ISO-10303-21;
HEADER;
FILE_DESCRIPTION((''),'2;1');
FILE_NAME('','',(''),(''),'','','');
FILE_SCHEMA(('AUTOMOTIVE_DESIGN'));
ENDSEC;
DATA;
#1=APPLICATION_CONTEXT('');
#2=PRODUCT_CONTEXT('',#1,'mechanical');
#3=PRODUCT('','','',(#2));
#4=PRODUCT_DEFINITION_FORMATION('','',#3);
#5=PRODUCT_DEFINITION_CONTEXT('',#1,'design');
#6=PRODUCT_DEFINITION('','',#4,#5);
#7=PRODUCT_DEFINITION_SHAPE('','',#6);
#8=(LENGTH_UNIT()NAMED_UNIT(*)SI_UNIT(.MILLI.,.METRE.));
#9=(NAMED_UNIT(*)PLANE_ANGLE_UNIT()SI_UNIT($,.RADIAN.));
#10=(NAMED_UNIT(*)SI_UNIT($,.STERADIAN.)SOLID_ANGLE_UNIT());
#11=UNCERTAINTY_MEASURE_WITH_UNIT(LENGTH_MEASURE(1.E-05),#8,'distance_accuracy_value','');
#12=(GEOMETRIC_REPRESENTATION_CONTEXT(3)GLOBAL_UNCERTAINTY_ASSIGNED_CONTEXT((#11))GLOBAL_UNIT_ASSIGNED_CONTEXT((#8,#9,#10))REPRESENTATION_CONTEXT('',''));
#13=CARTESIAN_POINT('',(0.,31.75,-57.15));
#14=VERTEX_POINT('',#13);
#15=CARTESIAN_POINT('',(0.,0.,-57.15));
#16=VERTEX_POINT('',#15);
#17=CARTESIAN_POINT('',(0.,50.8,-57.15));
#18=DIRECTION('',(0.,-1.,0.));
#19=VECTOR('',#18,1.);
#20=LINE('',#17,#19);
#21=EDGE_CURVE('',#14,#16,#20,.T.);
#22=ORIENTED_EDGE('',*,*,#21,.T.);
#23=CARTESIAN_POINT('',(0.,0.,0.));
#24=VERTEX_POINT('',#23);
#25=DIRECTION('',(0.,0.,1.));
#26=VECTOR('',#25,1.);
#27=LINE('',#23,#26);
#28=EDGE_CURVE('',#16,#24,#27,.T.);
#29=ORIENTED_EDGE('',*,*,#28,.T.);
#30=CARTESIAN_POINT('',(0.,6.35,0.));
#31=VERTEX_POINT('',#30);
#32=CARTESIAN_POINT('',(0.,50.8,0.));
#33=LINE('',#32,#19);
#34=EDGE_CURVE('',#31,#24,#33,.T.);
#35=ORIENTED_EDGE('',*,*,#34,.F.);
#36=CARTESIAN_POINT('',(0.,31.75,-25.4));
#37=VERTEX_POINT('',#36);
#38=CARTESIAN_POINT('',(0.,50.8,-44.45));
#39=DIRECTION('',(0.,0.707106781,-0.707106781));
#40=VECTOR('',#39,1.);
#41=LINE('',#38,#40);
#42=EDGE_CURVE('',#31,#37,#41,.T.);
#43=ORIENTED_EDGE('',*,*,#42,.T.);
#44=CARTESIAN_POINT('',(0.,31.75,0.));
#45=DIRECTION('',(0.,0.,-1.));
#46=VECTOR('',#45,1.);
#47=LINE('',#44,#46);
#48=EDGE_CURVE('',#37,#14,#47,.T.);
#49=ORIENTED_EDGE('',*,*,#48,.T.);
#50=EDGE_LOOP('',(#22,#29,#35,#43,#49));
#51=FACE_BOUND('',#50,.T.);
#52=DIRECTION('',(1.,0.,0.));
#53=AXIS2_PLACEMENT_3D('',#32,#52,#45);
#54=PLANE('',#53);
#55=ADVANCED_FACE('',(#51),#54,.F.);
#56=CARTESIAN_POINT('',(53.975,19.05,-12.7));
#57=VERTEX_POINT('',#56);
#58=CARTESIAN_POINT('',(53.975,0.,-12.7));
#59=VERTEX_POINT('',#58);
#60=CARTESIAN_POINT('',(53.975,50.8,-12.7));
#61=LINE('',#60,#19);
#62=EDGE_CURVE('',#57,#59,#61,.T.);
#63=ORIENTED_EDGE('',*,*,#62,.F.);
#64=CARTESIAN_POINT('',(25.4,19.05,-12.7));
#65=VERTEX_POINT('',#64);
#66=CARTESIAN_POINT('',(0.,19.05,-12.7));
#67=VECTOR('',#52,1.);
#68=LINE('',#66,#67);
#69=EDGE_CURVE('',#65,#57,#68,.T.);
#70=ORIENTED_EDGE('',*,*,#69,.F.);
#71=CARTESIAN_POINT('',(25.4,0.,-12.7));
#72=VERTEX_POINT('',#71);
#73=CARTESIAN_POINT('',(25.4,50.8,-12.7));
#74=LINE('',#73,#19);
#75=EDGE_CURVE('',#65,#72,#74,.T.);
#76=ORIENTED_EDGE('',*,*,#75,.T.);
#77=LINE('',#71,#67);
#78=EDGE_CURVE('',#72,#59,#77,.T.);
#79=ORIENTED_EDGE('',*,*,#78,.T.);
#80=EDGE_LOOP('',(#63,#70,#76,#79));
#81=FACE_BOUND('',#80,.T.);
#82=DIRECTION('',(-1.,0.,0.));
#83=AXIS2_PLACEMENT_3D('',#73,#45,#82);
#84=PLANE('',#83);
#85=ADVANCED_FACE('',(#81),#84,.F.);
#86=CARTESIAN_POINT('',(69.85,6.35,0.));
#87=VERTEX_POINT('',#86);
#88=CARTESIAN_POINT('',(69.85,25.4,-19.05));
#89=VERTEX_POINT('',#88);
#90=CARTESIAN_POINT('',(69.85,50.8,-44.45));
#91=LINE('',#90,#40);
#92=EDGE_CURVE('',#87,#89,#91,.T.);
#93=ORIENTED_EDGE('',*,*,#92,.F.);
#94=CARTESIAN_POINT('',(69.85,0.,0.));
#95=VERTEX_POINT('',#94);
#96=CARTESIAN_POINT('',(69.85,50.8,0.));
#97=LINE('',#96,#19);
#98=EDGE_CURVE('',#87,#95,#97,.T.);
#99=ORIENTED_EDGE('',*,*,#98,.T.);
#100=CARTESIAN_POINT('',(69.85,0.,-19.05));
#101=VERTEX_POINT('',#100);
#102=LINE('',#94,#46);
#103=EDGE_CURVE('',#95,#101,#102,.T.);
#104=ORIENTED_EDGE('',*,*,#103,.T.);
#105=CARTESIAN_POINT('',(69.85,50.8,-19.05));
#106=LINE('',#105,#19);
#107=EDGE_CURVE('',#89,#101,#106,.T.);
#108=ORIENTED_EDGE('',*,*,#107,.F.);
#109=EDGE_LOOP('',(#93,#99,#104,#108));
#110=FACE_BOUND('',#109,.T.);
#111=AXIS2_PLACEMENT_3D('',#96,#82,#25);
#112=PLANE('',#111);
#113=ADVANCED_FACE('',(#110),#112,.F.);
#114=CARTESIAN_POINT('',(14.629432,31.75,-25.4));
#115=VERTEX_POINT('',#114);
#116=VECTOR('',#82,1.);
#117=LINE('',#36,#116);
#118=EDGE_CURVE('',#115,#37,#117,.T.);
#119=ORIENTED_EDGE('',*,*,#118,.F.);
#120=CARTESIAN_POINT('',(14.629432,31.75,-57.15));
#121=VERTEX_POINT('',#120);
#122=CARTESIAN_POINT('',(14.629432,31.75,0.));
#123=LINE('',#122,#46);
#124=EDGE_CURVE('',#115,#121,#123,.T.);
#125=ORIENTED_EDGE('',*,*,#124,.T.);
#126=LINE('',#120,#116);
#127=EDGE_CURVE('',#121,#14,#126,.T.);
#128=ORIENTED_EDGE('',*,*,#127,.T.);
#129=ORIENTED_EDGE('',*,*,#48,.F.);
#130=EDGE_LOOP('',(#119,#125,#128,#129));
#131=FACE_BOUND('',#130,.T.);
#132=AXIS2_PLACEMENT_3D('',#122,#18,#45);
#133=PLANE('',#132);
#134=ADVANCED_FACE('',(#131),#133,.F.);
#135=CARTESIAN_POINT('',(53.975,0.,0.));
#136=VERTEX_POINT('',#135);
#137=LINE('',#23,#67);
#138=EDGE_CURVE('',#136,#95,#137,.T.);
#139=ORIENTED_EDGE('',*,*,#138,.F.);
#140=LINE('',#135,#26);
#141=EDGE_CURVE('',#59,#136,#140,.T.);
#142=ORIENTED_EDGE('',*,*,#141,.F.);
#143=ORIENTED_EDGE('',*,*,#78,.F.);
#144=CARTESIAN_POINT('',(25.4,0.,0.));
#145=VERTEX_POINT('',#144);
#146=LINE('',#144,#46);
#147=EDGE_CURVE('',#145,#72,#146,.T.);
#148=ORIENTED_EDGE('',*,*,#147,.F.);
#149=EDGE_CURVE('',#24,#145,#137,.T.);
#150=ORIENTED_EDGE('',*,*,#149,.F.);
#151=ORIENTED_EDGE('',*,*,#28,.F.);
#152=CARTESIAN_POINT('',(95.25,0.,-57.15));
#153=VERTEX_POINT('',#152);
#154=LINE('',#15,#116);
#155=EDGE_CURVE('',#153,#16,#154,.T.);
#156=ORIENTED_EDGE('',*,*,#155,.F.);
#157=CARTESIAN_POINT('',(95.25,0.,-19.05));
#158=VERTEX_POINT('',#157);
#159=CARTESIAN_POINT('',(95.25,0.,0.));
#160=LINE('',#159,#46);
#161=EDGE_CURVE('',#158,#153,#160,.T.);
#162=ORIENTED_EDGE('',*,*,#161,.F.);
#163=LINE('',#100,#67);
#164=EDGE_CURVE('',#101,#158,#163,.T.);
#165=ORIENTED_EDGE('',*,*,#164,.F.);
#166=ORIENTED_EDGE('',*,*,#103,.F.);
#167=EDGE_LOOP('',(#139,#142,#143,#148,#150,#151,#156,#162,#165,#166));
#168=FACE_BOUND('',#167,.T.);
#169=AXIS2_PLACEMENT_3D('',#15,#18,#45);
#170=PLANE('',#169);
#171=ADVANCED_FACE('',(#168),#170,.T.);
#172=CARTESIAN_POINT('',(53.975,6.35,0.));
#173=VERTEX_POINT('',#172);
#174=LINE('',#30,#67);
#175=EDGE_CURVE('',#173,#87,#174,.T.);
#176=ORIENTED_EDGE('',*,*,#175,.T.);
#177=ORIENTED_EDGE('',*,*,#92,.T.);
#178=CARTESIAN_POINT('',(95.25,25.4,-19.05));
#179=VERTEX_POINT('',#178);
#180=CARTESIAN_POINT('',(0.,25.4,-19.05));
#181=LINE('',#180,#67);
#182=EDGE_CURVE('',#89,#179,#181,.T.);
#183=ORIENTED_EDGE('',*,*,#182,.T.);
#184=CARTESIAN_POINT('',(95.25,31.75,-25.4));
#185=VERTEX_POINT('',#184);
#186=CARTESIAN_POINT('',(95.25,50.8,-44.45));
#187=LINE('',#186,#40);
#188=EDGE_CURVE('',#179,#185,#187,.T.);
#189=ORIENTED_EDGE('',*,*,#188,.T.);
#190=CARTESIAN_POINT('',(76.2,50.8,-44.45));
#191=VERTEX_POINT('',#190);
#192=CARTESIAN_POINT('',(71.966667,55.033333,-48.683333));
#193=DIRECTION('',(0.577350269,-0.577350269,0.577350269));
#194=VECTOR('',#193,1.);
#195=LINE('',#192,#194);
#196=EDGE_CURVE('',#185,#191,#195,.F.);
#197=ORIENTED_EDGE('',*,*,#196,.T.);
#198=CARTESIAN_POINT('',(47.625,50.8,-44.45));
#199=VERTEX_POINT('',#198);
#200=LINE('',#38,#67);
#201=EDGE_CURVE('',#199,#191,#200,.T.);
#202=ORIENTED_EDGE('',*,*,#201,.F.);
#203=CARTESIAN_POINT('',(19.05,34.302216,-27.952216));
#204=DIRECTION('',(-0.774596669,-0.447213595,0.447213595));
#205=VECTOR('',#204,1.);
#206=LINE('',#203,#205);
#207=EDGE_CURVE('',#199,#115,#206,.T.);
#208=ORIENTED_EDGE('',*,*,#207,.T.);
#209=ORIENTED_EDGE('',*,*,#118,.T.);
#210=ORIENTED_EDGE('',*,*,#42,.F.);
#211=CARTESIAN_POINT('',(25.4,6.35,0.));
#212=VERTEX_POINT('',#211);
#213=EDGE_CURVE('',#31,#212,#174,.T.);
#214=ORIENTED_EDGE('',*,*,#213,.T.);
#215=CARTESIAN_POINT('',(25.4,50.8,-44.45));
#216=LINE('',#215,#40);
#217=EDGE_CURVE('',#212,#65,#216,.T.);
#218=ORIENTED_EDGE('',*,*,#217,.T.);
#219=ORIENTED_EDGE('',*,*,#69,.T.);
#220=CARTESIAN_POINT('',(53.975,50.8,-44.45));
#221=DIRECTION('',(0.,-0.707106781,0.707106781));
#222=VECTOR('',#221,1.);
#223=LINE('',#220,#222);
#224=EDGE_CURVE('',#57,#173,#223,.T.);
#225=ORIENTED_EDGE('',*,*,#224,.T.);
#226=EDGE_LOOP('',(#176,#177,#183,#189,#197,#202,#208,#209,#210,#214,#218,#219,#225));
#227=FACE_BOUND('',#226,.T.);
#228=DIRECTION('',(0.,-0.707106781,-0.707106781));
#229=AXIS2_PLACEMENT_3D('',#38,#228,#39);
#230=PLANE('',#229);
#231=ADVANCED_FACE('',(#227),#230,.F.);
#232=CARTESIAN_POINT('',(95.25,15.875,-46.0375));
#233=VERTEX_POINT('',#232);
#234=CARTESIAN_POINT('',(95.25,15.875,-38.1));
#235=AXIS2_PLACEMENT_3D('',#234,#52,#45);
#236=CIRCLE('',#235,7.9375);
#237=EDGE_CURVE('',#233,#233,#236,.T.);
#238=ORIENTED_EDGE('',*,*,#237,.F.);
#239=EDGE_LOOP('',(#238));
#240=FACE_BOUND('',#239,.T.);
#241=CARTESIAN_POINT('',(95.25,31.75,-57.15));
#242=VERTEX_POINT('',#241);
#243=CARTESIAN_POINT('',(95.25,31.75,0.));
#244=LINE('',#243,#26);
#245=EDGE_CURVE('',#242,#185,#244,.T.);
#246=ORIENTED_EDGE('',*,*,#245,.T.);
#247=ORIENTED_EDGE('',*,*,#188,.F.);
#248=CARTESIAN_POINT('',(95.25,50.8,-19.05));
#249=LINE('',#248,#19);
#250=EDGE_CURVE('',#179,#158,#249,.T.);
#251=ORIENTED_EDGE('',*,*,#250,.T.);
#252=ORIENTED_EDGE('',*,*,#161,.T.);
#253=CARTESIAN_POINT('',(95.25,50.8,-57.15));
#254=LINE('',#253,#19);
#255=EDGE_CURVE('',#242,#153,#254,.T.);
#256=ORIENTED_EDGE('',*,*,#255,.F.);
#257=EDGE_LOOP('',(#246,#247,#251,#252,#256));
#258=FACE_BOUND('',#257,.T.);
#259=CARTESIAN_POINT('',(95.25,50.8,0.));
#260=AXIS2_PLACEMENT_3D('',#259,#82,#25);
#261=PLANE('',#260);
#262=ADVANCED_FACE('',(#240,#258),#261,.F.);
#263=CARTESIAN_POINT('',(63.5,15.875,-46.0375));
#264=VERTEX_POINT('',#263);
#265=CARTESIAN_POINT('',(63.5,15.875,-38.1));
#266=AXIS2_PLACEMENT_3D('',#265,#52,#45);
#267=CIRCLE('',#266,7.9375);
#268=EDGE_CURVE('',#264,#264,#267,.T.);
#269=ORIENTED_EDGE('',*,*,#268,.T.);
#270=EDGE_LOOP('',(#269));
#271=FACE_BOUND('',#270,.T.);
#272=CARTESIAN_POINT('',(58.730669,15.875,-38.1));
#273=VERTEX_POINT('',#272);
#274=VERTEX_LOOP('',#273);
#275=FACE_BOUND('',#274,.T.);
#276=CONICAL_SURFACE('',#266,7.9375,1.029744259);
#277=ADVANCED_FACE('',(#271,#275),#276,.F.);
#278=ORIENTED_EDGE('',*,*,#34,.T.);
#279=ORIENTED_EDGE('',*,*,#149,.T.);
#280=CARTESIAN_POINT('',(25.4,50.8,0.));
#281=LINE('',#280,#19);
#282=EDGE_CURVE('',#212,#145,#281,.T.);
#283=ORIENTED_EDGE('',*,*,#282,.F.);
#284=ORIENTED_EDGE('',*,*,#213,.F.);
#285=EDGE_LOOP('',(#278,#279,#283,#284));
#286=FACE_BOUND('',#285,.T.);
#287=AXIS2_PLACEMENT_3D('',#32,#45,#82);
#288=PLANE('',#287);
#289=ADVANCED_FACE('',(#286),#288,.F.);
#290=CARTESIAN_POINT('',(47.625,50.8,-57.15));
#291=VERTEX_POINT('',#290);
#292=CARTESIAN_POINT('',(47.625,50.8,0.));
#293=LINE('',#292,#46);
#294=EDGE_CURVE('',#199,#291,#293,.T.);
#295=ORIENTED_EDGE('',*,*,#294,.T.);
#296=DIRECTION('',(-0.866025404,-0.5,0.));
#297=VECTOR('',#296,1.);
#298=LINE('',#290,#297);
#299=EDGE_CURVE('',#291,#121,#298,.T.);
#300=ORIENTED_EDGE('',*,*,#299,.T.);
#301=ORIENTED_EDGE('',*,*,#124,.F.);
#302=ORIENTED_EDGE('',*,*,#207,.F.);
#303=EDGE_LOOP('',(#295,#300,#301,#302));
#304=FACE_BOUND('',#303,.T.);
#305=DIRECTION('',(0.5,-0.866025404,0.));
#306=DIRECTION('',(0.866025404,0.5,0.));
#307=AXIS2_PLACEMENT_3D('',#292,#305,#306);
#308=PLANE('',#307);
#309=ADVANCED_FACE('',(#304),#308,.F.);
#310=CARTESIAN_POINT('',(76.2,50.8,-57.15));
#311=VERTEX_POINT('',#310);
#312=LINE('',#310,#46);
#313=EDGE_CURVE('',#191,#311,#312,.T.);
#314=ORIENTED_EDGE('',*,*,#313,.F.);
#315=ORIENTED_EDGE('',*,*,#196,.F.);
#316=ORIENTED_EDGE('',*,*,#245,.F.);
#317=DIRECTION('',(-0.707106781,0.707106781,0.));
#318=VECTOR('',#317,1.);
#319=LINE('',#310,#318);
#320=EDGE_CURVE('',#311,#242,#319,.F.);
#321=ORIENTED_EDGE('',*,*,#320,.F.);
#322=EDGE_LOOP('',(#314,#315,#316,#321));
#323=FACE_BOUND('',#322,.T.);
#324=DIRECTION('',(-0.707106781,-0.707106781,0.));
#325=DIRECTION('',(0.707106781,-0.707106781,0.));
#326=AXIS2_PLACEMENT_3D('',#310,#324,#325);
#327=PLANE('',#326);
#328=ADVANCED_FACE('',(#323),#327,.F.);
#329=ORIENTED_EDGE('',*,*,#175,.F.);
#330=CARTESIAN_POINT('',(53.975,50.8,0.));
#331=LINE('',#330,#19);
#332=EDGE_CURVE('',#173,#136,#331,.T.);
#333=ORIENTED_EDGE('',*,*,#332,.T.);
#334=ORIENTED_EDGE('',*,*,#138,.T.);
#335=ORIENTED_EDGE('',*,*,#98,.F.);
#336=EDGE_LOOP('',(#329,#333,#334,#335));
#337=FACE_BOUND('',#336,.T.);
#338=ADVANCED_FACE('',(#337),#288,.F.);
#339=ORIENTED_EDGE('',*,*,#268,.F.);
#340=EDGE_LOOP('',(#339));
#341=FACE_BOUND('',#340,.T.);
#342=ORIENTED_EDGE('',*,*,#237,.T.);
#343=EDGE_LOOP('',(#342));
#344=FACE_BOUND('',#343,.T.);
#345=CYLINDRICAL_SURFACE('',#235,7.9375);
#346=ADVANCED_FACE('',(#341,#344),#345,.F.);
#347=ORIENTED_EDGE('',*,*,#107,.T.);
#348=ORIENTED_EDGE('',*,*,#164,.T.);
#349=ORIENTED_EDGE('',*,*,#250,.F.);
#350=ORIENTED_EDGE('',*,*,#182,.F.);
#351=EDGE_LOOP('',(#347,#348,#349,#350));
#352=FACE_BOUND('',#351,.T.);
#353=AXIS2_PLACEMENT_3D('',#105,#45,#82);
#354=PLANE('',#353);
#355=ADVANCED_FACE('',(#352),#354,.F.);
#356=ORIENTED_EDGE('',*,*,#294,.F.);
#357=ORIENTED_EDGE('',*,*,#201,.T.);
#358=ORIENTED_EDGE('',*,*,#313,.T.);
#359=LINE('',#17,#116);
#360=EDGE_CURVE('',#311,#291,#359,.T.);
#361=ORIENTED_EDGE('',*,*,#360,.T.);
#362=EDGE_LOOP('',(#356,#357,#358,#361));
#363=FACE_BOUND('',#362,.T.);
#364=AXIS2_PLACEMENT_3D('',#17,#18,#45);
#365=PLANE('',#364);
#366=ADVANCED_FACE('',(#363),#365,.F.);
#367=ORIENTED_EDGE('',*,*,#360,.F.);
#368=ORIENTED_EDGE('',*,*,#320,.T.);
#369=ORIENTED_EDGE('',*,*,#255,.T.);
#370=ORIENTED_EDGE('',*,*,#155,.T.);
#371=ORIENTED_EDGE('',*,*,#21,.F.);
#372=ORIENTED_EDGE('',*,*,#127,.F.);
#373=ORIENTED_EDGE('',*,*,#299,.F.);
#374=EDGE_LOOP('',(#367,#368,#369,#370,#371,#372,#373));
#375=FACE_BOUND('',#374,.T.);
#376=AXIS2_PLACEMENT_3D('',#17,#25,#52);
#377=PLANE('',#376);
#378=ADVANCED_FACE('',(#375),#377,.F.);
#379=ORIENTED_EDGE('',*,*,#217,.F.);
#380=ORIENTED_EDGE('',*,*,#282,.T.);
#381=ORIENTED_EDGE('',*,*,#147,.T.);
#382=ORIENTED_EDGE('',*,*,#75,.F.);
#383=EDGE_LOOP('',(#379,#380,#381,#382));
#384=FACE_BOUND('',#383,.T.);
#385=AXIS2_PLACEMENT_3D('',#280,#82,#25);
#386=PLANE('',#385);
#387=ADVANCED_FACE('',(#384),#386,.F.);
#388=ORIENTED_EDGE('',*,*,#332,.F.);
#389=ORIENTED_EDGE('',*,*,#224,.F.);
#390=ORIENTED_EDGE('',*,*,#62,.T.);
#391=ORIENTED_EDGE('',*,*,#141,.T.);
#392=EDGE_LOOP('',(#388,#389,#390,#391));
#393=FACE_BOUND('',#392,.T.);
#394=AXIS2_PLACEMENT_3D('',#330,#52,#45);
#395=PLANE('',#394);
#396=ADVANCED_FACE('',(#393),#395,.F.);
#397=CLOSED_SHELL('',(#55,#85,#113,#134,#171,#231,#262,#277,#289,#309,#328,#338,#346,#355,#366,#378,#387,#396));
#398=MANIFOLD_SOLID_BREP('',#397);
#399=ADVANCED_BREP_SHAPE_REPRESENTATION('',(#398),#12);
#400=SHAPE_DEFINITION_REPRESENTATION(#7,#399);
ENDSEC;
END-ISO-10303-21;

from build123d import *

# Parameters (mm, degrees)
ESQUISSE1_W                           = 95.25
ESQUISSE1_H                           = 57.15
BASE_EXTRUSION_DEPTH                  = 50.8
ENL_V_MAT_EXTRU_1_DEPTH               = 123.144688792
ESQUISSE3_W                           = 25.4
ESQUISSE3_H                           = 19.05
ESQUISSE3_W_2                         = 28.575
ESQUISSE3_H_2                         = 12.7
ENL_V_MAT_EXTRU_2_DEPTH               = 123.144688792
CHANFREIN1_SIZE                       = 19.05
ENL_V_MAT_EXTRU_3_DEPTH               = 123.144688792
DIAM_TRE_DU_PER_AGE_5_8_0_625_2_D     = 15.875
DIAM_TRE_DU_PER_AGE_5_8_0_625_2_DEPTH = 31.75
DIAM_TRE_DU_PER_AGE_5_8_0_625_2_TIP   = 4.769331164


with BuildPart() as part:
    # Esquisse1 → Base-Extrusion (new body)
    with BuildSketch(Plane(origin=(0, 0, 0), x_dir=(1, 0, 0), z_dir=(0, 1, 0))):
        with Locations((47.625, 28.575)):
            Rectangle(ESQUISSE1_W, ESQUISSE1_H)
    extrude(amount=BASE_EXTRUSION_DEPTH)

    # Esquisse2 → Enlèv. mat.-Extru.1 (cut, through all)
    with BuildSketch(Plane(origin=(95.25, 0, 0), x_dir=(0, 0, -1), z_dir=(1, 0, 0))):
        Polygon((44.45, 50.8), (0, 6.35), (0, 50.8), align=None)
    extrude(amount=-ENL_V_MAT_EXTRU_1_DEPTH, mode=Mode.SUBTRACT)

    # Esquisse3 → Enlèv. mat.-Extru.2 (cut, through all)
    with BuildSketch(Plane.XZ):
        with Locations((82.55, -9.525)):
            Rectangle(ESQUISSE3_W, ESQUISSE3_H)
        with Locations((39.6875, -6.35)):
            Rectangle(ESQUISSE3_W_2, ESQUISSE3_H_2)
    extrude(amount=-ENL_V_MAT_EXTRU_2_DEPTH, mode=Mode.SUBTRACT)

    # Chanfrein1
    chanfrein1_edges = [part.edges().sort_by_distance(p)[0] for p in [
        (95.25, 50.8, -50.8),
    ]]
    chamfer(chanfrein1_edges, length=CHANFREIN1_SIZE)

    # Esquisse4 → Enlèv. mat.-Extru.3 (cut, through all)
    with BuildSketch(Plane(origin=(0, 0, -57.15), x_dir=(-1, 0, 0), z_dir=(0, 0, -1))):
        Polygon((0, 50.8), (-47.625, 50.8), (-14.629432116, 31.75), (0, 31.75), align=None)
    extrude(amount=-ENL_V_MAT_EXTRU_3_DEPTH, mode=Mode.SUBTRACT)

    # Diamètre du perçage 5/8 (0.625)2
    with Locations(Plane(origin=(95.25, 0, 0), x_dir=(0, 0, -1), z_dir=(1, 0, 0))):
        with Locations((38.1, 15.875)):
            Hole(DIAM_TRE_DU_PER_AGE_5_8_0_625_2_D / 2, depth=DIAM_TRE_DU_PER_AGE_5_8_0_625_2_DEPTH)
            with Locations((0, 0, -(DIAM_TRE_DU_PER_AGE_5_8_0_625_2_DEPTH + DIAM_TRE_DU_PER_AGE_5_8_0_625_2_TIP / 2))):  # 118° drill point
                Cone(0, DIAM_TRE_DU_PER_AGE_5_8_0_625_2_D / 2, DIAM_TRE_DU_PER_AGE_5_8_0_625_2_TIP, mode=Mode.SUBTRACT)


solid = part.part
